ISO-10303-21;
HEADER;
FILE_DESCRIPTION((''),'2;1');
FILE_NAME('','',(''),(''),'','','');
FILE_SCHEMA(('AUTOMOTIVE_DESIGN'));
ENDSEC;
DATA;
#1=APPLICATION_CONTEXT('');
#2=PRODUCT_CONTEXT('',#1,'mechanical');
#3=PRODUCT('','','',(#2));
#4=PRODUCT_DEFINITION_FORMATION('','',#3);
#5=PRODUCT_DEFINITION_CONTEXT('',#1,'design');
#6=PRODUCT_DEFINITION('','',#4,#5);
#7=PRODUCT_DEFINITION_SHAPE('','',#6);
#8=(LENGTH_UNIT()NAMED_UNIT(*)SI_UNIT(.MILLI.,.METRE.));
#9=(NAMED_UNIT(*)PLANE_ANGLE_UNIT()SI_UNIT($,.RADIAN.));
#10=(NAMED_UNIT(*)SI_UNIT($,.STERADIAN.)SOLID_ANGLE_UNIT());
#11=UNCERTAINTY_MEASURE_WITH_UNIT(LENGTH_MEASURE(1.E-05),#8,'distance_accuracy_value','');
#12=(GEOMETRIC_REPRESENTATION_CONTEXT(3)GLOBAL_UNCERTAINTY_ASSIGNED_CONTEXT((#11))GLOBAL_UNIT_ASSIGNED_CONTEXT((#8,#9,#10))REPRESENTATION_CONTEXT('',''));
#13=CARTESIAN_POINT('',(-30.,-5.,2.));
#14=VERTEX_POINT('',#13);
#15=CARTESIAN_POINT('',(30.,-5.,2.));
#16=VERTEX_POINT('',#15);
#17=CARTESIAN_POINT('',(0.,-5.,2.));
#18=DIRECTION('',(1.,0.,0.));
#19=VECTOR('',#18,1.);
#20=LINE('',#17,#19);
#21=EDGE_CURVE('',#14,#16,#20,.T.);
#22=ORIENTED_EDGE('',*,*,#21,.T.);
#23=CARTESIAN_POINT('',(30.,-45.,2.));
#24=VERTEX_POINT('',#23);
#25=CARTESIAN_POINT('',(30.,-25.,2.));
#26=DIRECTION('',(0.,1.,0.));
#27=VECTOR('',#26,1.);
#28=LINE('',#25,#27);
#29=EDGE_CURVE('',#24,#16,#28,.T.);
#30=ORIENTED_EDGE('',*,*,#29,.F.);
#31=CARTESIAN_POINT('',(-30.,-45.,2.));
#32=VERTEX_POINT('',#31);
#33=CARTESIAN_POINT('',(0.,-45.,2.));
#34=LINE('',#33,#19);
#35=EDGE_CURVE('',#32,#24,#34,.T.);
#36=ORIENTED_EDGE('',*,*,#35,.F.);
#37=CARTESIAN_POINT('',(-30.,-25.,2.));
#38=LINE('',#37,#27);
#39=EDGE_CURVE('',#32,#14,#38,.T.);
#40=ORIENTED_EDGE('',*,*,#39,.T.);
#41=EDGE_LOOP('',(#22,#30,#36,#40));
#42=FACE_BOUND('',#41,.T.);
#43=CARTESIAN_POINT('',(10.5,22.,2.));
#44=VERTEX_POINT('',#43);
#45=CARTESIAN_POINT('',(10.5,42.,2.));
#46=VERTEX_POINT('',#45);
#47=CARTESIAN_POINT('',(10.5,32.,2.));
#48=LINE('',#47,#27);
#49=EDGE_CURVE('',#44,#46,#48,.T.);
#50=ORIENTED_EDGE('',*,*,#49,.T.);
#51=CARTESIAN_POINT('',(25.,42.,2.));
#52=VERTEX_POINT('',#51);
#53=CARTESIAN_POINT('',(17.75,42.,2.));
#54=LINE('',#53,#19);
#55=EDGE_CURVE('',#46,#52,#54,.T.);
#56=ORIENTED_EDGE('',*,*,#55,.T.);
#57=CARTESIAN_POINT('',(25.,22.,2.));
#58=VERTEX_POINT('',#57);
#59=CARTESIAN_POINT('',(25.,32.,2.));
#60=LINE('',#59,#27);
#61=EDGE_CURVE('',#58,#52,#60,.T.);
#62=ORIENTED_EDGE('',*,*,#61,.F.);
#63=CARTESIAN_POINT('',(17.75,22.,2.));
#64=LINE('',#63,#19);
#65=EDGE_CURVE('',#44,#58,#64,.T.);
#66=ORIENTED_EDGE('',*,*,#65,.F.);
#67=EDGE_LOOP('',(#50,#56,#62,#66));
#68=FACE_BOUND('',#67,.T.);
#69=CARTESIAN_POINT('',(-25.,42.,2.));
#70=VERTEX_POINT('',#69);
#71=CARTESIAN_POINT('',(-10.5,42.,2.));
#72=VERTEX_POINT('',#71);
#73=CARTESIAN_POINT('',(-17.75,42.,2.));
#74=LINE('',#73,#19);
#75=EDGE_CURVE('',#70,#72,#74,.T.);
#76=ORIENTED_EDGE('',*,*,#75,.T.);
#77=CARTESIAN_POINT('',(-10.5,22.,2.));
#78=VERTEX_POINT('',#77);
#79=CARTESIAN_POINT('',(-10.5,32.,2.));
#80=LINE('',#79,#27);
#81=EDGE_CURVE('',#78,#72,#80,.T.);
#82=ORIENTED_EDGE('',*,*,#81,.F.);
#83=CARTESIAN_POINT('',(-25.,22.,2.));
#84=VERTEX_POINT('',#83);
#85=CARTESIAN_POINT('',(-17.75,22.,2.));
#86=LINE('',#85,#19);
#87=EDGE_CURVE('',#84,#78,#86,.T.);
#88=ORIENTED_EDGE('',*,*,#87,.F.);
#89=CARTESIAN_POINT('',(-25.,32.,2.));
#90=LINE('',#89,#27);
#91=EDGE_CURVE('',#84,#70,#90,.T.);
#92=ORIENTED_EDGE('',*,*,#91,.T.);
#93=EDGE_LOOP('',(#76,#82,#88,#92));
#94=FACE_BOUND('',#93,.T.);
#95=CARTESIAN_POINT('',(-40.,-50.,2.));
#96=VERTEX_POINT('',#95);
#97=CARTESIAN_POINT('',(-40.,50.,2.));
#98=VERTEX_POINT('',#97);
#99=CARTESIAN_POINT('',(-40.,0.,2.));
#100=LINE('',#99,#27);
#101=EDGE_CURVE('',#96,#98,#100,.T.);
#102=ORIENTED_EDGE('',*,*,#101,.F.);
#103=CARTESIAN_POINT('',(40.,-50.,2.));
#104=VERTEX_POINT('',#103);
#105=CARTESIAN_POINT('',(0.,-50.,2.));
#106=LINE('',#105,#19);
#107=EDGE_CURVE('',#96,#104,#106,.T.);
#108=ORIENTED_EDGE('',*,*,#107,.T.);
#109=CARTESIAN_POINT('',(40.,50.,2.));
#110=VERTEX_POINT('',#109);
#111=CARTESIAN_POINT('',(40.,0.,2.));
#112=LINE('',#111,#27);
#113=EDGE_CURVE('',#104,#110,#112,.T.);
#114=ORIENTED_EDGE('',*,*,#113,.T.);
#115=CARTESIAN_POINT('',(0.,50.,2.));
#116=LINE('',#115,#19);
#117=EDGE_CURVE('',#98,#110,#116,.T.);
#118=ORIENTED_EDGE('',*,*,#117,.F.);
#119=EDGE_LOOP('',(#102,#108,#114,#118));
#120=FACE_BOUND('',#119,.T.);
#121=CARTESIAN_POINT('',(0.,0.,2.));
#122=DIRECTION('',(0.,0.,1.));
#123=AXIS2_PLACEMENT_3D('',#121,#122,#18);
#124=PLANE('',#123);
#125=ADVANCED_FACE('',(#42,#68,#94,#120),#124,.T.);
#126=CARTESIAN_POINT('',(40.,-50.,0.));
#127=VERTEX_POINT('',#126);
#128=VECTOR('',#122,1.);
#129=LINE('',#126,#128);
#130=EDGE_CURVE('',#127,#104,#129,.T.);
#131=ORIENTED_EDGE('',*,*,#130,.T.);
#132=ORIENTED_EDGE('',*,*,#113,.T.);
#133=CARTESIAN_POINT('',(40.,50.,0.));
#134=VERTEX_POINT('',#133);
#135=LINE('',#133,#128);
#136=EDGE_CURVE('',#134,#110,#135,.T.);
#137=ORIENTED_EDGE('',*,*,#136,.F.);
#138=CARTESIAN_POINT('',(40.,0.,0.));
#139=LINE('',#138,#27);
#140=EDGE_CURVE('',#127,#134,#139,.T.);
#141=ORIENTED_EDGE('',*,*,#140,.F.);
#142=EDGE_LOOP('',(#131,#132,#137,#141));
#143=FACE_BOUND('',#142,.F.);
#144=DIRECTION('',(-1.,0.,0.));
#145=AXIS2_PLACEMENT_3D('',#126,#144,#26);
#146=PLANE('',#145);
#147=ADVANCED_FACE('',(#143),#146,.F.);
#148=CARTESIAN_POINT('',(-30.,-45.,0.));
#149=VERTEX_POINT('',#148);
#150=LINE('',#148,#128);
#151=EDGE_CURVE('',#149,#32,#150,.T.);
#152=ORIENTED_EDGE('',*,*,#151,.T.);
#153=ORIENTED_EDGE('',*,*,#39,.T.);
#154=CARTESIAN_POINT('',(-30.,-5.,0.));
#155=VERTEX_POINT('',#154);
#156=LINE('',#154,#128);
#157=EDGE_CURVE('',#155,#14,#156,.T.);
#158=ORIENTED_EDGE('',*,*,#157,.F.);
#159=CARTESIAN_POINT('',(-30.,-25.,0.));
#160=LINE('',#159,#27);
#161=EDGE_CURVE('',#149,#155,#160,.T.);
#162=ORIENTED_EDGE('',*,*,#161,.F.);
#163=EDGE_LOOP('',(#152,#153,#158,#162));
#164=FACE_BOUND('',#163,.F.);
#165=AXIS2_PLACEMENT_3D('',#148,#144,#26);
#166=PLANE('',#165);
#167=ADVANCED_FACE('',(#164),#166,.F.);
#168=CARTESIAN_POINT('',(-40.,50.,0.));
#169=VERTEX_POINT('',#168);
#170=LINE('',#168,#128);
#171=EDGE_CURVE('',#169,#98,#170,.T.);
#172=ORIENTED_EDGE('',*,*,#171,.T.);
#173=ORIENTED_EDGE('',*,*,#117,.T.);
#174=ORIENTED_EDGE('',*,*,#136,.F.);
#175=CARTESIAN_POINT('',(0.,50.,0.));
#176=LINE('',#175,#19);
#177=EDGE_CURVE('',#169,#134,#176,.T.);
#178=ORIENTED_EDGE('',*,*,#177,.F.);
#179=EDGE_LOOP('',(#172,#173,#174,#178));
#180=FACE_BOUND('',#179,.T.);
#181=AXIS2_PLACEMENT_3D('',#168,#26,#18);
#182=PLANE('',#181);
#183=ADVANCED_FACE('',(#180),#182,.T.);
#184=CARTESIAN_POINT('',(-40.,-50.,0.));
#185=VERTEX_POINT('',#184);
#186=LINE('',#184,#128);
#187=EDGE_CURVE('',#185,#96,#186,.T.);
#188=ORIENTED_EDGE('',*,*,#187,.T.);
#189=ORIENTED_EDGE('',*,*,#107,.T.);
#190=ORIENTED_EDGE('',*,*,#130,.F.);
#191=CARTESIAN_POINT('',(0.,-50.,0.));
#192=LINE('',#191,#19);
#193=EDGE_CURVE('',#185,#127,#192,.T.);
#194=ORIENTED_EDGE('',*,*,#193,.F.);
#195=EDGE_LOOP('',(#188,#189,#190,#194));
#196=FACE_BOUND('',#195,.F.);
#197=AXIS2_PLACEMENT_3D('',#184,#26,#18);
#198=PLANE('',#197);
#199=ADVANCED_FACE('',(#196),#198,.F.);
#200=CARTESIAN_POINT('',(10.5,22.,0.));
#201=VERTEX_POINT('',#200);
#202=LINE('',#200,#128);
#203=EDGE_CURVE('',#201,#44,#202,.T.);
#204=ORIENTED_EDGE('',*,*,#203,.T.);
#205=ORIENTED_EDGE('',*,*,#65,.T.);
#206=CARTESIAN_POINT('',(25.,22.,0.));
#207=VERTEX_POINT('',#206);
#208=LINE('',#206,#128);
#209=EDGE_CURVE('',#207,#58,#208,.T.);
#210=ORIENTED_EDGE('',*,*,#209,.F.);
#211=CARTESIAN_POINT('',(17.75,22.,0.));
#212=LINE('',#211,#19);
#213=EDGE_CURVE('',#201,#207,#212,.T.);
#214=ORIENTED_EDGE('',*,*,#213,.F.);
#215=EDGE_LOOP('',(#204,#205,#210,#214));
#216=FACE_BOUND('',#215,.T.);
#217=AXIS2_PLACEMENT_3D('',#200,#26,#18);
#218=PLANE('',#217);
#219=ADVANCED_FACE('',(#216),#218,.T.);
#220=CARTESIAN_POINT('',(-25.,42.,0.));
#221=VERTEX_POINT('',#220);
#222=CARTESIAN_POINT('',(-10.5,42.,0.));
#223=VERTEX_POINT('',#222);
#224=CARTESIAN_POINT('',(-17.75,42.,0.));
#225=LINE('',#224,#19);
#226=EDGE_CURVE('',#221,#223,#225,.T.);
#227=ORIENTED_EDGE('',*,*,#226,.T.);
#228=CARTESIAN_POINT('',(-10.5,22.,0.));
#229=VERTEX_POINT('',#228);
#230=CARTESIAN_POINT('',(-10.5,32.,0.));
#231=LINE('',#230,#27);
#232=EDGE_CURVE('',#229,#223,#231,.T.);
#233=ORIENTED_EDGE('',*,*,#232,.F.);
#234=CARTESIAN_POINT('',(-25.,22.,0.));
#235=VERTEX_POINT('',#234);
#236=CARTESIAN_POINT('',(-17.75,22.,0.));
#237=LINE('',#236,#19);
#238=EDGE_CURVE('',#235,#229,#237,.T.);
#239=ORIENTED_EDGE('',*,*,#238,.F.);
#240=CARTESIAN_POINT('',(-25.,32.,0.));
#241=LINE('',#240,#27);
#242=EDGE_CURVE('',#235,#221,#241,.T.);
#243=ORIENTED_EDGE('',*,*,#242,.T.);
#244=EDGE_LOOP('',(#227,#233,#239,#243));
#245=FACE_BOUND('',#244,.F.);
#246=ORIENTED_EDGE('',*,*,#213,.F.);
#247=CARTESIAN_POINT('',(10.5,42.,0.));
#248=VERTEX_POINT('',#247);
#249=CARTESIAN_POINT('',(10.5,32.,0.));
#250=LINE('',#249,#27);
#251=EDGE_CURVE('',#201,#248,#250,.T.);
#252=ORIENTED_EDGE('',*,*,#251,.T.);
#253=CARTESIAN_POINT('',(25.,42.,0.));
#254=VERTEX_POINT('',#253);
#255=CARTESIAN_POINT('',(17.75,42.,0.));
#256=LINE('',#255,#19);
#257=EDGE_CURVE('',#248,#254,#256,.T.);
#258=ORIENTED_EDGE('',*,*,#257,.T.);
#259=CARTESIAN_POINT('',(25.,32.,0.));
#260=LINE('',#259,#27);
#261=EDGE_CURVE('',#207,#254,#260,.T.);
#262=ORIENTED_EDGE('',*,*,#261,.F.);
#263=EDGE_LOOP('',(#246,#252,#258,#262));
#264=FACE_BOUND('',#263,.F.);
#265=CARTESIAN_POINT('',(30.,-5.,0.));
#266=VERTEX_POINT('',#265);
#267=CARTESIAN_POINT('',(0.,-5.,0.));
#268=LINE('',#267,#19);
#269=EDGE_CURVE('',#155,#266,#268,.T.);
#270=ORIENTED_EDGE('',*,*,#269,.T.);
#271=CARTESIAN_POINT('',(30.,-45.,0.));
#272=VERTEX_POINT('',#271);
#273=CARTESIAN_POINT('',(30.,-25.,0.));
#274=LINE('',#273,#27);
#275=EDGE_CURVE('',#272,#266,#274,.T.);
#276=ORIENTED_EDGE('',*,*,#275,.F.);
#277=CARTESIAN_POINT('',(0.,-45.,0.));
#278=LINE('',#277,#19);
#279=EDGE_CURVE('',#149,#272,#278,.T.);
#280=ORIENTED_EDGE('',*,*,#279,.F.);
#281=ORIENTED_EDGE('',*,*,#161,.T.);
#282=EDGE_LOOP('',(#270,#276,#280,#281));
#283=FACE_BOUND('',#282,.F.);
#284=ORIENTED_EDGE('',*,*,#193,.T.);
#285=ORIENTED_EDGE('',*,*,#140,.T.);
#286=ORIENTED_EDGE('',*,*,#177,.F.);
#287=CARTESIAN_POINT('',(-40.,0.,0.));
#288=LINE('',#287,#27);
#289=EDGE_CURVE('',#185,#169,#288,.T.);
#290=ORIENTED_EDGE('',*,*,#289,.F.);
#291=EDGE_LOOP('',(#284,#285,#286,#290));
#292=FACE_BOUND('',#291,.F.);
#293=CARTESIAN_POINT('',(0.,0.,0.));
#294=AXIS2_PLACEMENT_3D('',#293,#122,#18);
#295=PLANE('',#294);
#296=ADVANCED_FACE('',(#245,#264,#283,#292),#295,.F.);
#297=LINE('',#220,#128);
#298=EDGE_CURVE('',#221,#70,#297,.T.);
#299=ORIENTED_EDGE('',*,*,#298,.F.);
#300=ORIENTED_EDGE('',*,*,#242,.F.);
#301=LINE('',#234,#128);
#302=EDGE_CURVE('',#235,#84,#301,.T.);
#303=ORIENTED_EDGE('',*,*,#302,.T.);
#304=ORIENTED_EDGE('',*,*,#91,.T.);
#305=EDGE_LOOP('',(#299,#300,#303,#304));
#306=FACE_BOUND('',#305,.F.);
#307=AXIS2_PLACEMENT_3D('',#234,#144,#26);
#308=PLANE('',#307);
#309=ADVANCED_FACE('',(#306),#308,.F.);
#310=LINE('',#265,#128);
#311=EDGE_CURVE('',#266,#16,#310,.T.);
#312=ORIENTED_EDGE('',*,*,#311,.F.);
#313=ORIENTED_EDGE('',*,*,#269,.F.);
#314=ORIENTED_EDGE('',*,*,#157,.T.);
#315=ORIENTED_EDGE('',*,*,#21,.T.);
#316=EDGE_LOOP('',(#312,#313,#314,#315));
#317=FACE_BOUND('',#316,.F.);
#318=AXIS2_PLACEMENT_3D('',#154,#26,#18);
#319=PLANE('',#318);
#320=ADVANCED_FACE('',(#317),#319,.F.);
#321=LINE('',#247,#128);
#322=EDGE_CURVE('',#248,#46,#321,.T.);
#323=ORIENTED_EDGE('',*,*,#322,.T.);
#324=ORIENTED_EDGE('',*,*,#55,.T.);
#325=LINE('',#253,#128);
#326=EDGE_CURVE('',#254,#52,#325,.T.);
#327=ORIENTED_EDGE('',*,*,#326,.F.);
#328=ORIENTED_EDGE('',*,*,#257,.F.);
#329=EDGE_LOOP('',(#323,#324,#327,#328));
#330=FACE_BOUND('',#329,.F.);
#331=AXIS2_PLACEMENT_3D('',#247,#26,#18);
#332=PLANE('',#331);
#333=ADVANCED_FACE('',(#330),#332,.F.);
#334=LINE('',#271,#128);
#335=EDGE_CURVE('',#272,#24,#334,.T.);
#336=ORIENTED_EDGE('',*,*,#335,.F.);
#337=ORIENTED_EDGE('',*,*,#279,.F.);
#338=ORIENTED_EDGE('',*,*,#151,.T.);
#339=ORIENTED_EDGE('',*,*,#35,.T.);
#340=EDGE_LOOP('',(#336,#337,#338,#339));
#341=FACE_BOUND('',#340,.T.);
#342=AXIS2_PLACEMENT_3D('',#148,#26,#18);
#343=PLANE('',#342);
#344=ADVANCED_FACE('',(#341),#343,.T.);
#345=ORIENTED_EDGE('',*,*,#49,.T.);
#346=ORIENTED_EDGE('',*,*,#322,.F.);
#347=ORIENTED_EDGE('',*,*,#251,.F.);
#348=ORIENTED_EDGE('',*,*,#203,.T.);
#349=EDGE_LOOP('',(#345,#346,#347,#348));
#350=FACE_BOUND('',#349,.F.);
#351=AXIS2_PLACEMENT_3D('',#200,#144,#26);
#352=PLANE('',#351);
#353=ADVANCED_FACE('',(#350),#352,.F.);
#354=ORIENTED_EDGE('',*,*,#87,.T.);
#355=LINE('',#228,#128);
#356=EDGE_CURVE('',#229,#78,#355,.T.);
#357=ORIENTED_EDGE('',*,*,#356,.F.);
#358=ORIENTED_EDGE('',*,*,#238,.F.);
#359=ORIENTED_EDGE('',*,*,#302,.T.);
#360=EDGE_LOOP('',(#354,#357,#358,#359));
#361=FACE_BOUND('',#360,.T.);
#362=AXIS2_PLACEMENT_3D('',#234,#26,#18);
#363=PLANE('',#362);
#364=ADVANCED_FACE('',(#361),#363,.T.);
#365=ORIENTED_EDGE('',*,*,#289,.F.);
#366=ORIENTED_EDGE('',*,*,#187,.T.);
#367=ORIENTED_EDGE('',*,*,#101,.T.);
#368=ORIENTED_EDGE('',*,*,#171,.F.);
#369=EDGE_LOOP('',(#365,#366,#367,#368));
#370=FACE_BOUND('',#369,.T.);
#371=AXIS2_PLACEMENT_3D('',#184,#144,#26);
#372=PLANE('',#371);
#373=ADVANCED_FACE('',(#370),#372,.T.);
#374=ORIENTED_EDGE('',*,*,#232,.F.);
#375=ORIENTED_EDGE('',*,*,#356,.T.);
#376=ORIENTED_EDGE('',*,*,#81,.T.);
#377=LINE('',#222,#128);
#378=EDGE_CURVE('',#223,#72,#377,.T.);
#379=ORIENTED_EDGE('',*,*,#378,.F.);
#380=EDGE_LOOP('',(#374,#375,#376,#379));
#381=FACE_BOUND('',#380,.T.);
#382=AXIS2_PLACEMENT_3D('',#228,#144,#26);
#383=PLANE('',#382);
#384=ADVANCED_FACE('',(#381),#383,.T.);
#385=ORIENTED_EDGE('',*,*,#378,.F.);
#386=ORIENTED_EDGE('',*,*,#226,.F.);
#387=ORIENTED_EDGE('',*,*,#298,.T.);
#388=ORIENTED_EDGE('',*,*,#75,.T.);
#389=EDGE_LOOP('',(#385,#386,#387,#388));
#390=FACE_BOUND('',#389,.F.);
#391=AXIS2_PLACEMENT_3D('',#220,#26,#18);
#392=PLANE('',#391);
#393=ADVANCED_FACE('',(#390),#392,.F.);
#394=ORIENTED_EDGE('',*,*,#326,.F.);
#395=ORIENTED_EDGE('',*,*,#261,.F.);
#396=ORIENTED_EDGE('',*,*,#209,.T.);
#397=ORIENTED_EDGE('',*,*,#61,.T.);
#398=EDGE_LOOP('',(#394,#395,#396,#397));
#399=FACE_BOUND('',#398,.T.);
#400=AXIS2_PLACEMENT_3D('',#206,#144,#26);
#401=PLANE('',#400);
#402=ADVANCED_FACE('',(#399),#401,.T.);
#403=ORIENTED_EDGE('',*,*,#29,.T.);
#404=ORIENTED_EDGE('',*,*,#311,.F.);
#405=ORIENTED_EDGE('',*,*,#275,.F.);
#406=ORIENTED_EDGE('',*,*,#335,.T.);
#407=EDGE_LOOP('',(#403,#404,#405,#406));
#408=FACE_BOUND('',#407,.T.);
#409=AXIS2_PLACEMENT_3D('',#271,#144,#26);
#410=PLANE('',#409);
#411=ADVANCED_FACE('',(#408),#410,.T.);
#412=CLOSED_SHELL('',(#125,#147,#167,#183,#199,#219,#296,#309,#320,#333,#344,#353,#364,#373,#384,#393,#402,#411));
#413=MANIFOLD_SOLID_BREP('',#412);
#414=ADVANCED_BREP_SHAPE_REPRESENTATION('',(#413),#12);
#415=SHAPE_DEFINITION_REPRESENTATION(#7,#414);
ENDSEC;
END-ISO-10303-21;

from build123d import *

# Parameters (mm, degrees)
F0_W     = 80
F0_H     = 100
F0_W_2   = 60
F0_H_2   = 40
F0_W_3   = 14.5
F0_H_3   = 20
F1_DEPTH = 2


with BuildPart() as f1:
    # F0 (on Top) → F1 (new body)
    with BuildSketch(Plane.XY):
        Rectangle(F0_W, F0_H)
        with Locations((0, -25)):
            Rectangle(F0_W_2, F0_H_2, mode=Mode.SUBTRACT)
        with Locations((-17.75, 32)):
            Rectangle(F0_W_3, F0_H_3, mode=Mode.SUBTRACT)
        with Locations((17.75, 32)):
            Rectangle(F0_W_3, F0_H_3, mode=Mode.SUBTRACT)
    extrude(amount=F1_DEPTH)


solid = f1.part
